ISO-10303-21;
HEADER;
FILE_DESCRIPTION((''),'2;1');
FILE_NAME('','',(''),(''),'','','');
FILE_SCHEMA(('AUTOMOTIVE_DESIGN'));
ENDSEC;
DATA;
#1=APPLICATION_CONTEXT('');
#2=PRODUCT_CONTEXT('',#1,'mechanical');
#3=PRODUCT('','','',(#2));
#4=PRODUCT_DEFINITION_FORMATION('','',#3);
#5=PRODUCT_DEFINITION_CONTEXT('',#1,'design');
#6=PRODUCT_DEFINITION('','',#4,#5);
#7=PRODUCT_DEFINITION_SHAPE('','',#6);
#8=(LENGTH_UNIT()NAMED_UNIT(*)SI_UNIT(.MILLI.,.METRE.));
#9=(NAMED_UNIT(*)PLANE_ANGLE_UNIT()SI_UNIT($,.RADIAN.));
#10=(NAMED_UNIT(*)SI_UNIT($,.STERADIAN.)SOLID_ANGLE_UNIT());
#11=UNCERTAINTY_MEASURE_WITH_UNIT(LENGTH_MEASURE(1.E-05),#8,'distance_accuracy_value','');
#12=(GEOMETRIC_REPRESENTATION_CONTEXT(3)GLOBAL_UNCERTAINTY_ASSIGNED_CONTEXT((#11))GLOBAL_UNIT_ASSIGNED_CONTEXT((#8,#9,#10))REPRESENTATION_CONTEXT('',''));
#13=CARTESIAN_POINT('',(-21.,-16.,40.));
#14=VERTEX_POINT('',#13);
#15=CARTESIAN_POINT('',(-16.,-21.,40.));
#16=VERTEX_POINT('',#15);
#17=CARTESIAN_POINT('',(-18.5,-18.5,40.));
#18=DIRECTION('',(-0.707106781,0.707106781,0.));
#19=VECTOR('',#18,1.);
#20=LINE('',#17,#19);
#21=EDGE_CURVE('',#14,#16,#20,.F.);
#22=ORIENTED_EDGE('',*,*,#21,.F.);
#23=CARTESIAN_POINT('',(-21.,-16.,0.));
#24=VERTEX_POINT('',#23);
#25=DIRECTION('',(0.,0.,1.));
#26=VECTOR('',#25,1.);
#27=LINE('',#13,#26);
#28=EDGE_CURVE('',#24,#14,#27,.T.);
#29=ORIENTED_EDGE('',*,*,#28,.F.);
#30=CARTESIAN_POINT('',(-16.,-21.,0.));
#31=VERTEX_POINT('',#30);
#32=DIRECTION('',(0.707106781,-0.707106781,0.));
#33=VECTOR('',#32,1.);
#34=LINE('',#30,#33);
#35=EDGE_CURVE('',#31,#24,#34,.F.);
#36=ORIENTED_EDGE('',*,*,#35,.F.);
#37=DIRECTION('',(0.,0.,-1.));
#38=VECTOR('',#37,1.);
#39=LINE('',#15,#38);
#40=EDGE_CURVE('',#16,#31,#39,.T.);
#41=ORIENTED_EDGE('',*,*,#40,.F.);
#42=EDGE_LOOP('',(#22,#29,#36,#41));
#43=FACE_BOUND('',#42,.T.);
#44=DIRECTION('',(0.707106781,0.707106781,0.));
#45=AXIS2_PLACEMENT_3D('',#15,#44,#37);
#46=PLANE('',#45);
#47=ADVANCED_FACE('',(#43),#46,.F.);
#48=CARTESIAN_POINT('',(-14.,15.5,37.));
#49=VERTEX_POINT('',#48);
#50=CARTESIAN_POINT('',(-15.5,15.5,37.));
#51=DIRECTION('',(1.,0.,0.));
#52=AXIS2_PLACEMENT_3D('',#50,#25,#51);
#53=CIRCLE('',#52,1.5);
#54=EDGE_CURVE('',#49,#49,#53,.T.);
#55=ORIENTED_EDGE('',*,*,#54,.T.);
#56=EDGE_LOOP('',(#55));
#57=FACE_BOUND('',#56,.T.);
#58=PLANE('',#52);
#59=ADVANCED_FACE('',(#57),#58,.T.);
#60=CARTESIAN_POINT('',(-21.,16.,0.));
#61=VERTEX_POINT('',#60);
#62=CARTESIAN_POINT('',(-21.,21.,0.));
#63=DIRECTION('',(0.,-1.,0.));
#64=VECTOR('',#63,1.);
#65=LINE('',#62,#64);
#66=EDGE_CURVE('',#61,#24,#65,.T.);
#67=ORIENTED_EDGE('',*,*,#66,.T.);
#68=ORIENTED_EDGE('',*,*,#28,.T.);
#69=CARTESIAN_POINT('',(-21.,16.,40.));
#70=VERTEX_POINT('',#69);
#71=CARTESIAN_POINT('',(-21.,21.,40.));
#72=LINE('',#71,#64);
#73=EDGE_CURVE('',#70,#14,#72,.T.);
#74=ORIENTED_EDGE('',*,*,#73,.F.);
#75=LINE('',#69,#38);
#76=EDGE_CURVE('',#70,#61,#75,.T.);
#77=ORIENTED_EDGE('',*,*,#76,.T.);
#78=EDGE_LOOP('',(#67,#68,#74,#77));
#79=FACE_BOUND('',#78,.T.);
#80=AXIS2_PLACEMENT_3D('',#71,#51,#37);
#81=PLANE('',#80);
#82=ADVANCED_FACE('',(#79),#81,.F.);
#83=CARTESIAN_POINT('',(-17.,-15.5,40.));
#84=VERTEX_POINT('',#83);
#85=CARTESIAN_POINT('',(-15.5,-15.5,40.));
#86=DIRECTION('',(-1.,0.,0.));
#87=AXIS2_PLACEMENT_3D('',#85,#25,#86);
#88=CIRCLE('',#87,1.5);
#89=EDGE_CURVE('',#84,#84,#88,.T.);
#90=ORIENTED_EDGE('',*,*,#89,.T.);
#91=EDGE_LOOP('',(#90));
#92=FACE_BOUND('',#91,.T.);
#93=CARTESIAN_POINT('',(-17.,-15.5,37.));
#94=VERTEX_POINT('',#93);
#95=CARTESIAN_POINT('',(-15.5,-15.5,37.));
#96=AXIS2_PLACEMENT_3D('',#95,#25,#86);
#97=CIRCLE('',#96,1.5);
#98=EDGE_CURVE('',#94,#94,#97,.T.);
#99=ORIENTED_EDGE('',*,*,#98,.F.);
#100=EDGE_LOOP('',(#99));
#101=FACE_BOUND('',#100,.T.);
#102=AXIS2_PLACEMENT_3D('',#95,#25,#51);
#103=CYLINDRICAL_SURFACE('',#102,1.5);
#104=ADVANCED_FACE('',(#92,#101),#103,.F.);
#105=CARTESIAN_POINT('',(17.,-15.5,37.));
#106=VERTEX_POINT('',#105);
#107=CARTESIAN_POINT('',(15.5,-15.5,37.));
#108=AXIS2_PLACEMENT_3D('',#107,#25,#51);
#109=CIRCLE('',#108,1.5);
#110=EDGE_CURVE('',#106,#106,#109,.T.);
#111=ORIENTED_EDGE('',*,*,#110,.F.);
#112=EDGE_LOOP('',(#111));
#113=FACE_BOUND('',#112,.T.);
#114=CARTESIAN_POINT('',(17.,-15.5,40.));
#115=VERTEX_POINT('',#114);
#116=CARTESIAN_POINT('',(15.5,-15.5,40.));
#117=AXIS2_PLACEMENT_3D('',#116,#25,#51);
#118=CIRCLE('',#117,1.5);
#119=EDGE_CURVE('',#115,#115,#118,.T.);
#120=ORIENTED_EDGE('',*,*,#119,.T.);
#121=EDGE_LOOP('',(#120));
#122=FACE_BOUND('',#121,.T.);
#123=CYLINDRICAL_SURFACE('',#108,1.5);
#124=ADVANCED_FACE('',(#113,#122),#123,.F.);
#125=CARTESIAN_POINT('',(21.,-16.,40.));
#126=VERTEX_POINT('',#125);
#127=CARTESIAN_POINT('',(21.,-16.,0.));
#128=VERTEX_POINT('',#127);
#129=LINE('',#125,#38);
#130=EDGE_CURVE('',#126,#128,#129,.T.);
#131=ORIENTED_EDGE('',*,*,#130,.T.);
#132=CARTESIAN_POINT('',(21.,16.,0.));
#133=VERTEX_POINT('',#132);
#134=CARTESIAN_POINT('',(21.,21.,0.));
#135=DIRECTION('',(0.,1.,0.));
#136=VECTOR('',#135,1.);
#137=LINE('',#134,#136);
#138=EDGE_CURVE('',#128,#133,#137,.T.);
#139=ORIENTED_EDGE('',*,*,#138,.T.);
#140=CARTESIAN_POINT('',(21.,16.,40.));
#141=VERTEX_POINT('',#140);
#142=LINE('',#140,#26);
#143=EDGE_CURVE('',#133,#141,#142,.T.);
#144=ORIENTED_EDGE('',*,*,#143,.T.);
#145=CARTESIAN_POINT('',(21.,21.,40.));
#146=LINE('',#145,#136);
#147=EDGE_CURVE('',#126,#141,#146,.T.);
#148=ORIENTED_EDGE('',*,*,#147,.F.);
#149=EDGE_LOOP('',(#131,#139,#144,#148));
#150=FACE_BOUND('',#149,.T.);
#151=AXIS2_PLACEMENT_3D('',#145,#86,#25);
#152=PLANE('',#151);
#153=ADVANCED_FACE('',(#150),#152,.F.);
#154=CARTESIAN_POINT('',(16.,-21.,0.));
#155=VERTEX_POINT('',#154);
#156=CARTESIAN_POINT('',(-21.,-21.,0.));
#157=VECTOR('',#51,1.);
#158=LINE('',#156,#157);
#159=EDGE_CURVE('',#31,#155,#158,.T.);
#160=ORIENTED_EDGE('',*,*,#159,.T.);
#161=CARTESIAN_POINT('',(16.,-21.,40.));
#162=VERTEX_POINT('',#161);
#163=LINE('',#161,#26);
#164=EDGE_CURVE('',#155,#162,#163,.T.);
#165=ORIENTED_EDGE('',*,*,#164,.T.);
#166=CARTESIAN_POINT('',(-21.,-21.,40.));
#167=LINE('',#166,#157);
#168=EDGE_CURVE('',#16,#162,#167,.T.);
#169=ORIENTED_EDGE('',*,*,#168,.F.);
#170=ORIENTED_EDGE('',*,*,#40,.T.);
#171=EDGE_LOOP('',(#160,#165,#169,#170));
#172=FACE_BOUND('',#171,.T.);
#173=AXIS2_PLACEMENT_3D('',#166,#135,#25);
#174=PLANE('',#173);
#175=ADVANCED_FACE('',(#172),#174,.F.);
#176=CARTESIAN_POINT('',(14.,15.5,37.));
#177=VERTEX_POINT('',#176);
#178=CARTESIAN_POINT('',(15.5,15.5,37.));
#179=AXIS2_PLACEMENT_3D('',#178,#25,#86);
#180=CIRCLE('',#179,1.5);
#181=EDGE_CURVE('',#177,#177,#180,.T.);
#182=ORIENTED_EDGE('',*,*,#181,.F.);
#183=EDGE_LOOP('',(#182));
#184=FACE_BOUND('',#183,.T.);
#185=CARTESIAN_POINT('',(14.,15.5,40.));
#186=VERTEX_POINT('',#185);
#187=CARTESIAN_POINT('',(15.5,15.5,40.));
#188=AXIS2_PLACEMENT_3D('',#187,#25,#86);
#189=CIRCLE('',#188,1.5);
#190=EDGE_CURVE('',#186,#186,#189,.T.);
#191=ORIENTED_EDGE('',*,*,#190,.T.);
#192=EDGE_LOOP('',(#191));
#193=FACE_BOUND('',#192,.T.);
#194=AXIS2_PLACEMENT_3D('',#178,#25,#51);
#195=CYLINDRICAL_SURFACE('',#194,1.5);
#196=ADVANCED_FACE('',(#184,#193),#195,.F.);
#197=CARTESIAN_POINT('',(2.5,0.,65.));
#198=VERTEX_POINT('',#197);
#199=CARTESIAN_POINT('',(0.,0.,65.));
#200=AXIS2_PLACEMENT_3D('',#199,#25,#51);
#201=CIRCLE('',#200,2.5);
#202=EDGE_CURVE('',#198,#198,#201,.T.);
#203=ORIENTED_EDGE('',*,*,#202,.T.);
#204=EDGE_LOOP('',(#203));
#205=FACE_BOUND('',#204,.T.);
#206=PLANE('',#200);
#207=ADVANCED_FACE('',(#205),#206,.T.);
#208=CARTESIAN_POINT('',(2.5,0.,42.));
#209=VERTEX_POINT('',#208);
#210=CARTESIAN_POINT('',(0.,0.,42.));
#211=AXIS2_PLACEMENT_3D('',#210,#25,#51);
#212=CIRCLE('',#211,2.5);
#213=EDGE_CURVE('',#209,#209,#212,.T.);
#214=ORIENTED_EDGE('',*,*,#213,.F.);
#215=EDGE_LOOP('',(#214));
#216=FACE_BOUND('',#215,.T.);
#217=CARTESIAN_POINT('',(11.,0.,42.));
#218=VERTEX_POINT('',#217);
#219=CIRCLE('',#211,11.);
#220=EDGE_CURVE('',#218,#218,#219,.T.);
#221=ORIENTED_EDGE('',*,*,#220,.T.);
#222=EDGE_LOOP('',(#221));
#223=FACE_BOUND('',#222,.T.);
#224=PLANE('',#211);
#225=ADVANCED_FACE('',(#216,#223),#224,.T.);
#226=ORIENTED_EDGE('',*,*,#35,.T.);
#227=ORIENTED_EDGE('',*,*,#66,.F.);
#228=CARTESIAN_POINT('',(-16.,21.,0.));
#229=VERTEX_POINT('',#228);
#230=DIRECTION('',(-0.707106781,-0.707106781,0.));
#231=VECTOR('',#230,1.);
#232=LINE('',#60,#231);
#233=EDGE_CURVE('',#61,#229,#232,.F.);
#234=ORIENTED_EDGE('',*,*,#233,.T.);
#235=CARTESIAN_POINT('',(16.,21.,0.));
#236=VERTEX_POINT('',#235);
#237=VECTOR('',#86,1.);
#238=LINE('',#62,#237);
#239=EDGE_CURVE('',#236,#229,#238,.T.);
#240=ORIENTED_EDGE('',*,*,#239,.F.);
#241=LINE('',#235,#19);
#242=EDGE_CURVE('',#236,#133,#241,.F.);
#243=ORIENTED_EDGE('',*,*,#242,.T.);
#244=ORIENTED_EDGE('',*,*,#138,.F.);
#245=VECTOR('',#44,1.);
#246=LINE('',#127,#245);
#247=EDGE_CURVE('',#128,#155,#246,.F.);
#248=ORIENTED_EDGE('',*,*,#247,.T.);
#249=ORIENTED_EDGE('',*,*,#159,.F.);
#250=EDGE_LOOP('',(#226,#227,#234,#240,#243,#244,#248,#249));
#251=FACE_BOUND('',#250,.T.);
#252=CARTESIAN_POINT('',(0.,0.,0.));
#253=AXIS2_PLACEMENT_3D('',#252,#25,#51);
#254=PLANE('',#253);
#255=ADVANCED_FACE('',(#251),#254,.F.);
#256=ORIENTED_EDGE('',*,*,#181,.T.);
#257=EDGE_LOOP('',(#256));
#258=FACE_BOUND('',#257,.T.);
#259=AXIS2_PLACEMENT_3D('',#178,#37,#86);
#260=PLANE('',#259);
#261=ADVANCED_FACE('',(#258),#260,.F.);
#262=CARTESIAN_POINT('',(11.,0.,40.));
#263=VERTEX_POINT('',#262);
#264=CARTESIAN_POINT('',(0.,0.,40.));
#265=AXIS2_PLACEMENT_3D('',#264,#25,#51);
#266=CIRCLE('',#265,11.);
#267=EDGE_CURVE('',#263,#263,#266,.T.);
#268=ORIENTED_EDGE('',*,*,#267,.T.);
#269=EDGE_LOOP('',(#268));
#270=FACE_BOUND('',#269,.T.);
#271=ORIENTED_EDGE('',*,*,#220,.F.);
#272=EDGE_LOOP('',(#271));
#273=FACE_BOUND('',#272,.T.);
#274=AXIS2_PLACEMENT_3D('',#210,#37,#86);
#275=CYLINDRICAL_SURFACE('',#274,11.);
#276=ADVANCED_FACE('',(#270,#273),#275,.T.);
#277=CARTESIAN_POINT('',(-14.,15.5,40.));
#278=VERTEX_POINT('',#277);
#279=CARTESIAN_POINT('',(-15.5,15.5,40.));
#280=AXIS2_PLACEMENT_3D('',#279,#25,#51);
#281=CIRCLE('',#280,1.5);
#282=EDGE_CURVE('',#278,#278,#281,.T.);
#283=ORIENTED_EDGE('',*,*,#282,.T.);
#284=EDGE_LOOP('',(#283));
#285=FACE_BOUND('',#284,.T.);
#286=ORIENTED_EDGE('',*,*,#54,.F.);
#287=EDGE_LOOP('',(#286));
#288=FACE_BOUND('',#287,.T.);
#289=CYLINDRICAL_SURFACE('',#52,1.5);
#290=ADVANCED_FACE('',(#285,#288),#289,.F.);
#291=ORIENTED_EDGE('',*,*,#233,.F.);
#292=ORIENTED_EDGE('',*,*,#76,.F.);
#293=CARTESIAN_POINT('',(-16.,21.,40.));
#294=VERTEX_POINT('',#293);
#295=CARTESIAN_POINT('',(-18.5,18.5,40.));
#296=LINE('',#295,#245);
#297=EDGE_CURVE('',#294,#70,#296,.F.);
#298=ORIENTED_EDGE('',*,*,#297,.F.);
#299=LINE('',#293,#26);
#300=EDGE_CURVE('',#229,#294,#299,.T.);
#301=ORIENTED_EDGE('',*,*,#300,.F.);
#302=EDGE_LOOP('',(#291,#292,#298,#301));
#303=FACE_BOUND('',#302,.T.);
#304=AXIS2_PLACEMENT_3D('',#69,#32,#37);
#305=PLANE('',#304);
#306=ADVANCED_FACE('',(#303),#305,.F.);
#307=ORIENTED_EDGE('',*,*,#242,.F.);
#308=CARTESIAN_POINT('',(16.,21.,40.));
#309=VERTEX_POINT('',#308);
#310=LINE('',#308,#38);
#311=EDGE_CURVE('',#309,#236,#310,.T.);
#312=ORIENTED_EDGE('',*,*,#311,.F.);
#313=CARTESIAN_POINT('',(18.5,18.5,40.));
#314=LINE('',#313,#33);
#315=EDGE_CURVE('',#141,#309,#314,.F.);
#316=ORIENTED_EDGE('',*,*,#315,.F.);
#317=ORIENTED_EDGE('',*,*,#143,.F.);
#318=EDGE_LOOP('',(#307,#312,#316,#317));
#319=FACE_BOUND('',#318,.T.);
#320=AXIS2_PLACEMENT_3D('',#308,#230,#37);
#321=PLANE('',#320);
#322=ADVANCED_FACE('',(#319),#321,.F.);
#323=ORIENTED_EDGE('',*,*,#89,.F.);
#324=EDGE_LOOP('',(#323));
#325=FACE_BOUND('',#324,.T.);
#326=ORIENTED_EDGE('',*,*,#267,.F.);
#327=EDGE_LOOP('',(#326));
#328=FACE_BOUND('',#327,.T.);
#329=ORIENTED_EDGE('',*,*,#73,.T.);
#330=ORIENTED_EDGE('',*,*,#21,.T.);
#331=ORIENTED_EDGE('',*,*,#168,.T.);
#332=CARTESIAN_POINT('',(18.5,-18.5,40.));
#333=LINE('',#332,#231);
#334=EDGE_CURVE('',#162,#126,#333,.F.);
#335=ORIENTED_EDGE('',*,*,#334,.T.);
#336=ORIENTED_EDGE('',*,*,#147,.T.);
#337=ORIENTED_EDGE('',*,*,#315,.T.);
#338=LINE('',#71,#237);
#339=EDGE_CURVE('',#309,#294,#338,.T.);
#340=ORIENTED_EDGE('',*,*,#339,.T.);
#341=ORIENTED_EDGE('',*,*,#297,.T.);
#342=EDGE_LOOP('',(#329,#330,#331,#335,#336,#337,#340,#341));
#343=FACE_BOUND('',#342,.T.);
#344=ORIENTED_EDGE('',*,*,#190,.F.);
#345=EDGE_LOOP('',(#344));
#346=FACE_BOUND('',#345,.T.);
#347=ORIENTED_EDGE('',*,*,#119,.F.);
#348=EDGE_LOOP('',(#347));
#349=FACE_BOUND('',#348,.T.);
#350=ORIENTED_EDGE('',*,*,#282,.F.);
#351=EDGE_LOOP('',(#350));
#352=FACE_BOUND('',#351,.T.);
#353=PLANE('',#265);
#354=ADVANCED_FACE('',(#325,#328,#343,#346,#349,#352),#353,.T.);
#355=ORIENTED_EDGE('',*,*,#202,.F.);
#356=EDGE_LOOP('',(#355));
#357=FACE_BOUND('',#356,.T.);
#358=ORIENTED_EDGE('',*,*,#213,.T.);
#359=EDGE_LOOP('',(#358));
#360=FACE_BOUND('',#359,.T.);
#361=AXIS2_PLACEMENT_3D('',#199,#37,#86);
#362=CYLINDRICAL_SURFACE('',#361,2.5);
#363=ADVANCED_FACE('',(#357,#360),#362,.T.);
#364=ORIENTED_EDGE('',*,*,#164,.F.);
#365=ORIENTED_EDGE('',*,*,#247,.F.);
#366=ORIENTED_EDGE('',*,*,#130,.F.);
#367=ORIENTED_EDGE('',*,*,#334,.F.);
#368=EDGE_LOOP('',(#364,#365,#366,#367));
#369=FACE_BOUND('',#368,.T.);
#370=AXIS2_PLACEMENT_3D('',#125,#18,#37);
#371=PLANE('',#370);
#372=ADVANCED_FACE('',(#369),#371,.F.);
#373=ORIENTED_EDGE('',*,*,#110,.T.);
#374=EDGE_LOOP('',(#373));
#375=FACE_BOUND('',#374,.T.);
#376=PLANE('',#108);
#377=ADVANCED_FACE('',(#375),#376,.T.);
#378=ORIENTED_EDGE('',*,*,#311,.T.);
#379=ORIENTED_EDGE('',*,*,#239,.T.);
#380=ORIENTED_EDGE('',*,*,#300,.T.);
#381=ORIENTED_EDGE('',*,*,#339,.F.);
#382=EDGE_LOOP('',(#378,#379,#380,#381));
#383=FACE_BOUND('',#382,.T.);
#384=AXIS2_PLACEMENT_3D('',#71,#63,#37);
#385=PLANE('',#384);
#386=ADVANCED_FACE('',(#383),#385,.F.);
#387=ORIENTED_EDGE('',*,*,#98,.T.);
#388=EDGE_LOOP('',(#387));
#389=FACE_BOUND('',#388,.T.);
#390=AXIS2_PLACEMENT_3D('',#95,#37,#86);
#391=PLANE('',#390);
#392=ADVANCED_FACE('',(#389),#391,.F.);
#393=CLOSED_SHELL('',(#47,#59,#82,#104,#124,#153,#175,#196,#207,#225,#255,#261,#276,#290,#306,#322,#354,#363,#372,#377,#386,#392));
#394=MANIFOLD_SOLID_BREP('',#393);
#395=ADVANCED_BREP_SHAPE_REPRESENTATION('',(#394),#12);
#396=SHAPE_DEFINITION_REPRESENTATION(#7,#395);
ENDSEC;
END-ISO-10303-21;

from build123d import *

# Parameters (mm, degrees)
SKETCH_1_W          = 42
SKETCH_1_H          = 42
EXTRUDE_1_DEPTH     = 40
CHAMFER_1_SIZE      = 5
SKETCH_2_R          = 11
EXTRUDE_2_DEPTH     = 2
SKETCH_3_R          = 2.5
EXTRUDE_3_DEPTH     = 23
SKETCH_4_R          = 1.5
CUT_EXTRUDE_1_DEPTH = 3


with BuildPart() as part:
    # 草圖1 → 填料-伸長1 (new body)
    with BuildSketch(Plane.XY):
        Rectangle(SKETCH_1_W, SKETCH_1_H)
    extrude(amount=EXTRUDE_1_DEPTH)

    # 導角1
    chamfer_1_edges = [part.edges().sort_by_distance(p)[0] for p in [
        (-21, 21, 20),
        (21, 21, 20),
        (21, -21, 20),
        (-21, -21, 20),
    ]]
    chamfer(chamfer_1_edges, length=CHAMFER_1_SIZE)

    # 草圖2 → 填料-伸長2 (add)
    with BuildSketch(Plane.XY.offset(40)):
        Circle(SKETCH_2_R)
    extrude(amount=EXTRUDE_2_DEPTH)

    # 草圖3 → 填料-伸長3 (add)
    with BuildSketch(Plane.XY.offset(42)):
        Circle(SKETCH_3_R)
    extrude(amount=EXTRUDE_3_DEPTH)

    # 草圖4 → 除料-伸長1 (cut)
    with BuildSketch(Plane.XY.offset(40)):
        with Locations((-15.5, 15.5)):
            Circle(SKETCH_4_R)
        with Locations(Location((-15.5, -15.5, 0), (0, 0, 180))):
            Circle(SKETCH_4_R)
        with Locations((15.5, -15.5)):
            Circle(SKETCH_4_R)
        with Locations(Location((15.5, 15.5, 0), (0, 0, 180))):
            Circle(SKETCH_4_R)
    extrude(amount=-CUT_EXTRUDE_1_DEPTH, mode=Mode.SUBTRACT)


solid = part.part
